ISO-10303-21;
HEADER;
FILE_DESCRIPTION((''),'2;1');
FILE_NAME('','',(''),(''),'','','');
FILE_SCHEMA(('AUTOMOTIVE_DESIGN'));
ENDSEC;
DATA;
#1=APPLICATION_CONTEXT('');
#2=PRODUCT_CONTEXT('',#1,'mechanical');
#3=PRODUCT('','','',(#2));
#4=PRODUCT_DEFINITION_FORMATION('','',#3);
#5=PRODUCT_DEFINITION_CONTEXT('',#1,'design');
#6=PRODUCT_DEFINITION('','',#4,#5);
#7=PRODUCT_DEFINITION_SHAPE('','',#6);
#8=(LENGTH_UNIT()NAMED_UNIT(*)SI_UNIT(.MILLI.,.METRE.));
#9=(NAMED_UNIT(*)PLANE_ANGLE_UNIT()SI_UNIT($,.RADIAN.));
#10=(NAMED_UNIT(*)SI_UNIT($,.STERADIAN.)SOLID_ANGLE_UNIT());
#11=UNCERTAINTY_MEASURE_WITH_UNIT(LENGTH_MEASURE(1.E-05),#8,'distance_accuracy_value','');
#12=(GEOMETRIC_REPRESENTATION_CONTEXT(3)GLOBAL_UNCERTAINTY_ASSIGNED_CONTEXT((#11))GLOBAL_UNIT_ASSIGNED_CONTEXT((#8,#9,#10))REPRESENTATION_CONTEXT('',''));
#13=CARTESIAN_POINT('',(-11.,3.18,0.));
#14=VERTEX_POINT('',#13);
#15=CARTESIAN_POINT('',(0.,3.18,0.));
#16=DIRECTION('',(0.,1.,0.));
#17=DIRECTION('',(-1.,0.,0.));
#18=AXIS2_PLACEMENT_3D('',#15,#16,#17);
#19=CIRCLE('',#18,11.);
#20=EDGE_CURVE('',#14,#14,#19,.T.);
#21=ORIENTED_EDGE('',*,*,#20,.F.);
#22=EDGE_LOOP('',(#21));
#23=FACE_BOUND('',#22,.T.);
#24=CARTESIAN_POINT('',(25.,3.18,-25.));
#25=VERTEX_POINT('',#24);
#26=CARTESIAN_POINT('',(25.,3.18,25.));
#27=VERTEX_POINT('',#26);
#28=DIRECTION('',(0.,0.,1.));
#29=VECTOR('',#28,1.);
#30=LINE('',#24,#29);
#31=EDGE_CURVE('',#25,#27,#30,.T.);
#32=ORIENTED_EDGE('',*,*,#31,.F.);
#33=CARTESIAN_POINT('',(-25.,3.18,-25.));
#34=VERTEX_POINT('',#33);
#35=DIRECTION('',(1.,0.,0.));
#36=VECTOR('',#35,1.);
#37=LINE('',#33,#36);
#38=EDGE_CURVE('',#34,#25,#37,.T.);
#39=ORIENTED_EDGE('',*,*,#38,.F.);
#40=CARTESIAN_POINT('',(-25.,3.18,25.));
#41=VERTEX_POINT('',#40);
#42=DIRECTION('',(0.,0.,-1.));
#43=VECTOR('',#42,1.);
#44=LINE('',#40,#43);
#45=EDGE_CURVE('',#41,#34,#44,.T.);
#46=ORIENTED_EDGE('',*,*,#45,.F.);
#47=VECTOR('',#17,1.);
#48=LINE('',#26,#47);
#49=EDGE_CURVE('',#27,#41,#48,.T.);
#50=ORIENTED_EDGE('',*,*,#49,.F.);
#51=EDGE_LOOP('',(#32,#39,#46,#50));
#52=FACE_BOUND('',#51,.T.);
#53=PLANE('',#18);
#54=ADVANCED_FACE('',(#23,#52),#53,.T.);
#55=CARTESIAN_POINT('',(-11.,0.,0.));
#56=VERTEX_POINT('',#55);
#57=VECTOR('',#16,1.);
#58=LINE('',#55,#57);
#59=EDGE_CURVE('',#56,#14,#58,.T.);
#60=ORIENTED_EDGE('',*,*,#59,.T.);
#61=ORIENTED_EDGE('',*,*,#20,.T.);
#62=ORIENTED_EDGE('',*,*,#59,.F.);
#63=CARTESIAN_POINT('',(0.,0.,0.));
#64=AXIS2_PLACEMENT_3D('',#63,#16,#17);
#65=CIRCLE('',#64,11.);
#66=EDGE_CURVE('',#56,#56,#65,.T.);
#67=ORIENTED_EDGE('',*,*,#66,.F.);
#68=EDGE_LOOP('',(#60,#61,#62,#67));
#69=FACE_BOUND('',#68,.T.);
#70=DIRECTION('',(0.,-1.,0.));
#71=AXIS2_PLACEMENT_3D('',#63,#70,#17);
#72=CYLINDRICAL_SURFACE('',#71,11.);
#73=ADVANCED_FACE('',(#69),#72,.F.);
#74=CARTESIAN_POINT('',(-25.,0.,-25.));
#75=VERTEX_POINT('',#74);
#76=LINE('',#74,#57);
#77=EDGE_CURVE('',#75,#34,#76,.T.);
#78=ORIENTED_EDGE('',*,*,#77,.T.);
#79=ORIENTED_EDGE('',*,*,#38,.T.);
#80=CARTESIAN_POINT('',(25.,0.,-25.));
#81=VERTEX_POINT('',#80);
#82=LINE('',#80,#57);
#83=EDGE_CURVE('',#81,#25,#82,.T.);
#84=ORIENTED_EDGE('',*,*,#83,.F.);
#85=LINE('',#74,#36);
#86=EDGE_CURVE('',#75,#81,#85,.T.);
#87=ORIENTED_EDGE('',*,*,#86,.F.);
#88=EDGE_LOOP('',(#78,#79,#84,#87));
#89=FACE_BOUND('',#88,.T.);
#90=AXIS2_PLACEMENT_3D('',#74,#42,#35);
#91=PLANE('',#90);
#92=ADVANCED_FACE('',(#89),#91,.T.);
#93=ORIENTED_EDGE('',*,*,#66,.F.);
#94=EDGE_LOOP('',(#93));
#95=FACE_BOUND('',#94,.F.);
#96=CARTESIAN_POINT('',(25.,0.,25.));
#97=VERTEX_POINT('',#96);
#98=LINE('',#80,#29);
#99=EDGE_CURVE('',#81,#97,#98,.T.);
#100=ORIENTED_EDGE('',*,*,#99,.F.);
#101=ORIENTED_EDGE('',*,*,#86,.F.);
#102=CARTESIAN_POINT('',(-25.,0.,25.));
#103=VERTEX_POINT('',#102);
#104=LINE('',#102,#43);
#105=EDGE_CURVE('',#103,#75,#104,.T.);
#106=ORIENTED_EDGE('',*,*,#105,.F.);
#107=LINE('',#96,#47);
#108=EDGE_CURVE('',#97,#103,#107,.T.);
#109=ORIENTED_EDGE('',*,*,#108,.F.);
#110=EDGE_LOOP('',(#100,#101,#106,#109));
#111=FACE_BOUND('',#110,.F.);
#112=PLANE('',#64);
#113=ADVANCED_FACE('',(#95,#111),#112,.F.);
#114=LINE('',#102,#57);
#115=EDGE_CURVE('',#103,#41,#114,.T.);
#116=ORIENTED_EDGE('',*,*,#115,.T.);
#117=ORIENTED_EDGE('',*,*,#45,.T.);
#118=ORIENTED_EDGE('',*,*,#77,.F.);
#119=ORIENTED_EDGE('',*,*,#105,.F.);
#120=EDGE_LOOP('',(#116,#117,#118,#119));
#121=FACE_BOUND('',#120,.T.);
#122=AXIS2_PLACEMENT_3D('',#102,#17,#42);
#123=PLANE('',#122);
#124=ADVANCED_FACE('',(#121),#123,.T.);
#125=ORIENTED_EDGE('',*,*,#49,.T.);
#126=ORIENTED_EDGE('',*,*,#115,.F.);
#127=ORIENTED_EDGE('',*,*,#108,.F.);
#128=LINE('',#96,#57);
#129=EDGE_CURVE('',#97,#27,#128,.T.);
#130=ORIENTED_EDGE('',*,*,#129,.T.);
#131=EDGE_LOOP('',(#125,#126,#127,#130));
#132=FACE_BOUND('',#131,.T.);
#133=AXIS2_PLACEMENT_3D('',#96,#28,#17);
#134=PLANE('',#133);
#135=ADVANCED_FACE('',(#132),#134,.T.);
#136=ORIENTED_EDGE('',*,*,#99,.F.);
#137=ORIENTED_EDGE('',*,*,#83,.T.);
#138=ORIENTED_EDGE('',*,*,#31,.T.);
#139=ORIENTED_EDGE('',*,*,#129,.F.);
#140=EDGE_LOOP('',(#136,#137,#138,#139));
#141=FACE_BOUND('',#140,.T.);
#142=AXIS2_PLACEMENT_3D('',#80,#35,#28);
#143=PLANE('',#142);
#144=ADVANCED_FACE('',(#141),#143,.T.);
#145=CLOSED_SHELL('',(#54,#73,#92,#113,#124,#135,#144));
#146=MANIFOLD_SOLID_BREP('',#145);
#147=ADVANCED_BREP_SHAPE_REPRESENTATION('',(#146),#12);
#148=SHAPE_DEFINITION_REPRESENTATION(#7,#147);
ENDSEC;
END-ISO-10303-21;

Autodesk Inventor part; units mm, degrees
ref_plane "YZ Plane" through (0, 0, 0) normal (1, 0, 0) x (0, 1, 0)
ref_plane "XZ Plane" through (0, 0, 0) normal (0, 1, 0) x (-1, 0, 0)
ref_plane "XY Plane" through (0, 0, 0) normal (0, 0, 1) x (1, 0, 0)
sketch "Sketch1" plane through (0, 0, 0) normal (0, 1, 0) x (-1, 0, 0)
  line L0 (-25, 25) -> (25, 25)
  line L1 (25, 25) -> (25, -25)
  line L2 (25, -25) -> (-25, -25)
  line L3 (-25, -25) -> (-25, 25)
  line L4 (-25, 25) -> (25, -25) construction
  line L5 (25, 25) -> (-25, -25) construction
  circle A0 centre (0, 0) radius 11
  dimension "d0" = 50
  dimension "d1" = 50
  dimension "d2" = 22
extrude "Extrusion1" add sketch "Sketch1" along normal blind 3.18
properties part number "Base_sostenedor"
